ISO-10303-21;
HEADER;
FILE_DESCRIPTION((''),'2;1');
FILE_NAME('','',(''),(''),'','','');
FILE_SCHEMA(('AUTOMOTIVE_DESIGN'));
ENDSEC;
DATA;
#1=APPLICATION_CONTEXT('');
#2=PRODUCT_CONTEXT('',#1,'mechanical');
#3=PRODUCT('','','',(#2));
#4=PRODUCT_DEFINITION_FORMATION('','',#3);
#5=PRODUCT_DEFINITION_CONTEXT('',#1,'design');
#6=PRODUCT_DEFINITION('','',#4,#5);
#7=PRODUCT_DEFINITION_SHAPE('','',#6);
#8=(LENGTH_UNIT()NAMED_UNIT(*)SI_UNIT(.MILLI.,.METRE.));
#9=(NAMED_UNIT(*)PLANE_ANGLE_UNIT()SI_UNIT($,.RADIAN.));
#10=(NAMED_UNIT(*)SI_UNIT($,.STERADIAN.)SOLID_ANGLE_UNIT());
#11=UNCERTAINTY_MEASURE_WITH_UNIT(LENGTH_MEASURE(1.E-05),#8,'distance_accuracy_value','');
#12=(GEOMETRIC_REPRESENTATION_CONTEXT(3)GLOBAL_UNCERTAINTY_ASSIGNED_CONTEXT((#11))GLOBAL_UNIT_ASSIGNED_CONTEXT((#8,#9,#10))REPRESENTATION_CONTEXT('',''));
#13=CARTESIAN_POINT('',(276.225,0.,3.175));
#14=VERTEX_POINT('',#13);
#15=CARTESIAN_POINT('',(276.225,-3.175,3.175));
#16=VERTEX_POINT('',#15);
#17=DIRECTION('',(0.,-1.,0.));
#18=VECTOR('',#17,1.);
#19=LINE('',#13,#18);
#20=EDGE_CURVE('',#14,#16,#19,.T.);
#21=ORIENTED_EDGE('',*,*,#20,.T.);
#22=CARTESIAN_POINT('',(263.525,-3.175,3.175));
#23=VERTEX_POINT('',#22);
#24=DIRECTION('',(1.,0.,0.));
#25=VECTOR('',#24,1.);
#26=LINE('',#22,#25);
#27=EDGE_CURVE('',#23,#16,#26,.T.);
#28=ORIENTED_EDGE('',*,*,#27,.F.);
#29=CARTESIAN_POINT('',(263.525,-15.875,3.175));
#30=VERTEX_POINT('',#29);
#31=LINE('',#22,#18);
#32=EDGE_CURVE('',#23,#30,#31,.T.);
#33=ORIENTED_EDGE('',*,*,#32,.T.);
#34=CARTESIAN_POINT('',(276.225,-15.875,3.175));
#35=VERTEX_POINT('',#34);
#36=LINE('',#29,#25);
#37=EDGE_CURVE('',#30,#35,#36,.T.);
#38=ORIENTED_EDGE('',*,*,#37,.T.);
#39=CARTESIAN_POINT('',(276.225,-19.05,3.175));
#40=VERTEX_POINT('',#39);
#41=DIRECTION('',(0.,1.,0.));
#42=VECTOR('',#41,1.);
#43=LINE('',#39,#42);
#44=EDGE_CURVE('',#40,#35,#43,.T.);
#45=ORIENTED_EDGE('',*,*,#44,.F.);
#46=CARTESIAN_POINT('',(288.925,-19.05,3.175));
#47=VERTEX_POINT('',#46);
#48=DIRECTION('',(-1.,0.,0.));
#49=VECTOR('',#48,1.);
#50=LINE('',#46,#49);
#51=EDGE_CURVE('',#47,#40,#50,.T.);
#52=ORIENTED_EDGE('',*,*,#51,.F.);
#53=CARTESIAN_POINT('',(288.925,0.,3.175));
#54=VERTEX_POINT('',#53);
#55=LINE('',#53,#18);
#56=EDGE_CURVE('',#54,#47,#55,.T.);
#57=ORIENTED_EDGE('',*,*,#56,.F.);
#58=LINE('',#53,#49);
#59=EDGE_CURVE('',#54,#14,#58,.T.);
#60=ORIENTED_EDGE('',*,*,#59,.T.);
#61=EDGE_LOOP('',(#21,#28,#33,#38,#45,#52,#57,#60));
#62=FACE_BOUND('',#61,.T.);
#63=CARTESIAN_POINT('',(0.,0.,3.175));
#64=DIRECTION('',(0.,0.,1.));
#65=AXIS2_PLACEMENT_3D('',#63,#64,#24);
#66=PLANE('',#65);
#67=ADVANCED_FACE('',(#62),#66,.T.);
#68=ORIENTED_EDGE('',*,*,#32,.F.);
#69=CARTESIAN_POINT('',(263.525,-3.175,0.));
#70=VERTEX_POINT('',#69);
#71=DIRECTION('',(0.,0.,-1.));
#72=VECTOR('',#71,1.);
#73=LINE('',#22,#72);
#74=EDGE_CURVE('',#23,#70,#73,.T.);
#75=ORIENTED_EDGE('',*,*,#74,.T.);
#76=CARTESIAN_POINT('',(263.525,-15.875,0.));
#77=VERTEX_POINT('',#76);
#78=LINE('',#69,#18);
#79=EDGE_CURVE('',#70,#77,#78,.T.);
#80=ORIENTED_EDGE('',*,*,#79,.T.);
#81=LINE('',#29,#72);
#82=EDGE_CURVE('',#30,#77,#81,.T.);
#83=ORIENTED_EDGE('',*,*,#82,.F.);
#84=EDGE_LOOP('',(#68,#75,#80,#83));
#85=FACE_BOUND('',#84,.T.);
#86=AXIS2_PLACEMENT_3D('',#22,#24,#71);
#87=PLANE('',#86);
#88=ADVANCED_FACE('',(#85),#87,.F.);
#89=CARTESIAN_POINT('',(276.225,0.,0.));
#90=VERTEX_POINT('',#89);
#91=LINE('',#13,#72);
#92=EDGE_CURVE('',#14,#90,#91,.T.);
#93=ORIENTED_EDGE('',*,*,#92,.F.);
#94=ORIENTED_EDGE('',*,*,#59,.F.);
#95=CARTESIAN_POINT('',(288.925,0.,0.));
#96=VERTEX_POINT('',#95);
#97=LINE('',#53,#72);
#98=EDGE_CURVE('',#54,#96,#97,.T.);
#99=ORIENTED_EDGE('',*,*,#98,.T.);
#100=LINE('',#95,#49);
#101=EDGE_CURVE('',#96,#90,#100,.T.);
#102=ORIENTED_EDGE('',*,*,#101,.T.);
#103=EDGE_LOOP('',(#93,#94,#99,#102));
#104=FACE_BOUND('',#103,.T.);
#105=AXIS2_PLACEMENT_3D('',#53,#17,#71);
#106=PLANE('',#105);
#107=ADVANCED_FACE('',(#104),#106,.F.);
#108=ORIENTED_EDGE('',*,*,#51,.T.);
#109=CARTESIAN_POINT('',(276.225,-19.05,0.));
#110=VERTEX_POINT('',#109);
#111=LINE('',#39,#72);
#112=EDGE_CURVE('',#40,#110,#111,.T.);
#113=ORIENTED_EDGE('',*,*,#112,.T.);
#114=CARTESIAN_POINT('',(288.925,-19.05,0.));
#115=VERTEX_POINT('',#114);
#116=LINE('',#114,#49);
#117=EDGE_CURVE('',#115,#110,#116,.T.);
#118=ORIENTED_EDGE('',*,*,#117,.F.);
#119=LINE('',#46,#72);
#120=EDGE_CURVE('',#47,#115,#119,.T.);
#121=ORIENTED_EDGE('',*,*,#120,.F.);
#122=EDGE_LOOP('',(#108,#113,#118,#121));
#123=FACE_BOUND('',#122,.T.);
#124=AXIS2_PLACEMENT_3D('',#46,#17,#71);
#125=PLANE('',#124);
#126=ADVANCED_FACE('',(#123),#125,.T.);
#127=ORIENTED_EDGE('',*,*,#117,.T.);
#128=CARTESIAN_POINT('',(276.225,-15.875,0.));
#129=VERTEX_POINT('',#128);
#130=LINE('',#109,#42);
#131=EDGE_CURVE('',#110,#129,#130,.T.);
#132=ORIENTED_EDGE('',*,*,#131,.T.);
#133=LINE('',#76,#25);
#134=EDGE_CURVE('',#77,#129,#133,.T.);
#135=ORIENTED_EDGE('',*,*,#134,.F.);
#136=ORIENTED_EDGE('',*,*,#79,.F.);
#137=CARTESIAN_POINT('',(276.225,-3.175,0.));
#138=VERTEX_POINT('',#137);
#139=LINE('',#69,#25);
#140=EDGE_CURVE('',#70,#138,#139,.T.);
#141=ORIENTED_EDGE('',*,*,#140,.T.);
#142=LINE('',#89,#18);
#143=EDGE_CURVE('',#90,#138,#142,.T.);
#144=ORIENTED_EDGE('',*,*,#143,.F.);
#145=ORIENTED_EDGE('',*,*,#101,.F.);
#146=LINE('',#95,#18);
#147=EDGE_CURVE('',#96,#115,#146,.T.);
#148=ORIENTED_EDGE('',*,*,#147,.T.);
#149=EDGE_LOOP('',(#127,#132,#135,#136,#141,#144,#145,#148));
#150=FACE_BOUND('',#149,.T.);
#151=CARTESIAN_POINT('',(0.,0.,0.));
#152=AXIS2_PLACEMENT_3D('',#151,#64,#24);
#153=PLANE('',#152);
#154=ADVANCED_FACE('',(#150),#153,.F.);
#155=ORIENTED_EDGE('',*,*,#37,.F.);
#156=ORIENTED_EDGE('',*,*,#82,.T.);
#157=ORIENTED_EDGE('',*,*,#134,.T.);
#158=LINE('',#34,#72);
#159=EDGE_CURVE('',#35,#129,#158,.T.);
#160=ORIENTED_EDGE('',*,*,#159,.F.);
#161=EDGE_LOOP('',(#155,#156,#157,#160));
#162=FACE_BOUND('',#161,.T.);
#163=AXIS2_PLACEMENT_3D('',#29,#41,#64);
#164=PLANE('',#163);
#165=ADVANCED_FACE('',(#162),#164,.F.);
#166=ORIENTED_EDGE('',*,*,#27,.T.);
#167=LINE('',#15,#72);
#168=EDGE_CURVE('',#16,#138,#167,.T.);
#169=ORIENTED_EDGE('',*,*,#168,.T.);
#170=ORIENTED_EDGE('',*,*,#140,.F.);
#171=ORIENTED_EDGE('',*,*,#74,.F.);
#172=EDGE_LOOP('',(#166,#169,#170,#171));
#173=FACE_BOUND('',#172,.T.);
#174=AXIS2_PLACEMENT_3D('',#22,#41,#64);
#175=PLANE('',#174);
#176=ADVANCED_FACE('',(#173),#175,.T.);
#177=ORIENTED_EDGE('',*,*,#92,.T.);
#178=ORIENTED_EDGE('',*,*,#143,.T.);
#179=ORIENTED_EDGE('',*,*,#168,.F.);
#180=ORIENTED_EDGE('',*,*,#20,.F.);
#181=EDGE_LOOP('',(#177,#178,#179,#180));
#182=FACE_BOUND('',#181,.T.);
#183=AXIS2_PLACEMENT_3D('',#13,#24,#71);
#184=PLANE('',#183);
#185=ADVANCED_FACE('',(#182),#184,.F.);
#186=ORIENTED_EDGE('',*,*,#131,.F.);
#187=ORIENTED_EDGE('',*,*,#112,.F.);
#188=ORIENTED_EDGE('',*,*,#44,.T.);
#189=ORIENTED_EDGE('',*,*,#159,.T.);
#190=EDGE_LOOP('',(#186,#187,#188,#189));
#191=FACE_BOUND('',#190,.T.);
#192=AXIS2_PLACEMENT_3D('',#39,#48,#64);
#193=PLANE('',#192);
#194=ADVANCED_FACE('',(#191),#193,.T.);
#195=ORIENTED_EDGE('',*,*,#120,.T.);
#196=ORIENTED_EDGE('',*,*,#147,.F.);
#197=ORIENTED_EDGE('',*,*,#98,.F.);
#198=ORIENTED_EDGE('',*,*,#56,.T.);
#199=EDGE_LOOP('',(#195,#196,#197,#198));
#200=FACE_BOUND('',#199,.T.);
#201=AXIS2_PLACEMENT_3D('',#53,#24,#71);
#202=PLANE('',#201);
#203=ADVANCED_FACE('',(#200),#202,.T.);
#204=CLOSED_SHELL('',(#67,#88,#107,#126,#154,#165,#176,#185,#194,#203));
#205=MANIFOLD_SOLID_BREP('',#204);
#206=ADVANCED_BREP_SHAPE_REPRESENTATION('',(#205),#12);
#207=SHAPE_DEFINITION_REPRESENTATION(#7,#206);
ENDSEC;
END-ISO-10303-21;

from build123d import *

# Parameters (mm, degrees)
BOSS_EXTRUDE1_DEPTH = 3.175


with BuildPart() as part:
    # Sketch1 → Boss-Extrude1 (new body)
    with BuildSketch(Plane.XY):
        Polygon((288.925, 0), (276.225, 0), (276.225, -3.175), (263.525, -3.175), (263.525, -15.875), (276.225, -15.875), (276.225, -19.05), (288.925, -19.05), align=None)
    extrude(amount=BOSS_EXTRUDE1_DEPTH)


solid = part.part
